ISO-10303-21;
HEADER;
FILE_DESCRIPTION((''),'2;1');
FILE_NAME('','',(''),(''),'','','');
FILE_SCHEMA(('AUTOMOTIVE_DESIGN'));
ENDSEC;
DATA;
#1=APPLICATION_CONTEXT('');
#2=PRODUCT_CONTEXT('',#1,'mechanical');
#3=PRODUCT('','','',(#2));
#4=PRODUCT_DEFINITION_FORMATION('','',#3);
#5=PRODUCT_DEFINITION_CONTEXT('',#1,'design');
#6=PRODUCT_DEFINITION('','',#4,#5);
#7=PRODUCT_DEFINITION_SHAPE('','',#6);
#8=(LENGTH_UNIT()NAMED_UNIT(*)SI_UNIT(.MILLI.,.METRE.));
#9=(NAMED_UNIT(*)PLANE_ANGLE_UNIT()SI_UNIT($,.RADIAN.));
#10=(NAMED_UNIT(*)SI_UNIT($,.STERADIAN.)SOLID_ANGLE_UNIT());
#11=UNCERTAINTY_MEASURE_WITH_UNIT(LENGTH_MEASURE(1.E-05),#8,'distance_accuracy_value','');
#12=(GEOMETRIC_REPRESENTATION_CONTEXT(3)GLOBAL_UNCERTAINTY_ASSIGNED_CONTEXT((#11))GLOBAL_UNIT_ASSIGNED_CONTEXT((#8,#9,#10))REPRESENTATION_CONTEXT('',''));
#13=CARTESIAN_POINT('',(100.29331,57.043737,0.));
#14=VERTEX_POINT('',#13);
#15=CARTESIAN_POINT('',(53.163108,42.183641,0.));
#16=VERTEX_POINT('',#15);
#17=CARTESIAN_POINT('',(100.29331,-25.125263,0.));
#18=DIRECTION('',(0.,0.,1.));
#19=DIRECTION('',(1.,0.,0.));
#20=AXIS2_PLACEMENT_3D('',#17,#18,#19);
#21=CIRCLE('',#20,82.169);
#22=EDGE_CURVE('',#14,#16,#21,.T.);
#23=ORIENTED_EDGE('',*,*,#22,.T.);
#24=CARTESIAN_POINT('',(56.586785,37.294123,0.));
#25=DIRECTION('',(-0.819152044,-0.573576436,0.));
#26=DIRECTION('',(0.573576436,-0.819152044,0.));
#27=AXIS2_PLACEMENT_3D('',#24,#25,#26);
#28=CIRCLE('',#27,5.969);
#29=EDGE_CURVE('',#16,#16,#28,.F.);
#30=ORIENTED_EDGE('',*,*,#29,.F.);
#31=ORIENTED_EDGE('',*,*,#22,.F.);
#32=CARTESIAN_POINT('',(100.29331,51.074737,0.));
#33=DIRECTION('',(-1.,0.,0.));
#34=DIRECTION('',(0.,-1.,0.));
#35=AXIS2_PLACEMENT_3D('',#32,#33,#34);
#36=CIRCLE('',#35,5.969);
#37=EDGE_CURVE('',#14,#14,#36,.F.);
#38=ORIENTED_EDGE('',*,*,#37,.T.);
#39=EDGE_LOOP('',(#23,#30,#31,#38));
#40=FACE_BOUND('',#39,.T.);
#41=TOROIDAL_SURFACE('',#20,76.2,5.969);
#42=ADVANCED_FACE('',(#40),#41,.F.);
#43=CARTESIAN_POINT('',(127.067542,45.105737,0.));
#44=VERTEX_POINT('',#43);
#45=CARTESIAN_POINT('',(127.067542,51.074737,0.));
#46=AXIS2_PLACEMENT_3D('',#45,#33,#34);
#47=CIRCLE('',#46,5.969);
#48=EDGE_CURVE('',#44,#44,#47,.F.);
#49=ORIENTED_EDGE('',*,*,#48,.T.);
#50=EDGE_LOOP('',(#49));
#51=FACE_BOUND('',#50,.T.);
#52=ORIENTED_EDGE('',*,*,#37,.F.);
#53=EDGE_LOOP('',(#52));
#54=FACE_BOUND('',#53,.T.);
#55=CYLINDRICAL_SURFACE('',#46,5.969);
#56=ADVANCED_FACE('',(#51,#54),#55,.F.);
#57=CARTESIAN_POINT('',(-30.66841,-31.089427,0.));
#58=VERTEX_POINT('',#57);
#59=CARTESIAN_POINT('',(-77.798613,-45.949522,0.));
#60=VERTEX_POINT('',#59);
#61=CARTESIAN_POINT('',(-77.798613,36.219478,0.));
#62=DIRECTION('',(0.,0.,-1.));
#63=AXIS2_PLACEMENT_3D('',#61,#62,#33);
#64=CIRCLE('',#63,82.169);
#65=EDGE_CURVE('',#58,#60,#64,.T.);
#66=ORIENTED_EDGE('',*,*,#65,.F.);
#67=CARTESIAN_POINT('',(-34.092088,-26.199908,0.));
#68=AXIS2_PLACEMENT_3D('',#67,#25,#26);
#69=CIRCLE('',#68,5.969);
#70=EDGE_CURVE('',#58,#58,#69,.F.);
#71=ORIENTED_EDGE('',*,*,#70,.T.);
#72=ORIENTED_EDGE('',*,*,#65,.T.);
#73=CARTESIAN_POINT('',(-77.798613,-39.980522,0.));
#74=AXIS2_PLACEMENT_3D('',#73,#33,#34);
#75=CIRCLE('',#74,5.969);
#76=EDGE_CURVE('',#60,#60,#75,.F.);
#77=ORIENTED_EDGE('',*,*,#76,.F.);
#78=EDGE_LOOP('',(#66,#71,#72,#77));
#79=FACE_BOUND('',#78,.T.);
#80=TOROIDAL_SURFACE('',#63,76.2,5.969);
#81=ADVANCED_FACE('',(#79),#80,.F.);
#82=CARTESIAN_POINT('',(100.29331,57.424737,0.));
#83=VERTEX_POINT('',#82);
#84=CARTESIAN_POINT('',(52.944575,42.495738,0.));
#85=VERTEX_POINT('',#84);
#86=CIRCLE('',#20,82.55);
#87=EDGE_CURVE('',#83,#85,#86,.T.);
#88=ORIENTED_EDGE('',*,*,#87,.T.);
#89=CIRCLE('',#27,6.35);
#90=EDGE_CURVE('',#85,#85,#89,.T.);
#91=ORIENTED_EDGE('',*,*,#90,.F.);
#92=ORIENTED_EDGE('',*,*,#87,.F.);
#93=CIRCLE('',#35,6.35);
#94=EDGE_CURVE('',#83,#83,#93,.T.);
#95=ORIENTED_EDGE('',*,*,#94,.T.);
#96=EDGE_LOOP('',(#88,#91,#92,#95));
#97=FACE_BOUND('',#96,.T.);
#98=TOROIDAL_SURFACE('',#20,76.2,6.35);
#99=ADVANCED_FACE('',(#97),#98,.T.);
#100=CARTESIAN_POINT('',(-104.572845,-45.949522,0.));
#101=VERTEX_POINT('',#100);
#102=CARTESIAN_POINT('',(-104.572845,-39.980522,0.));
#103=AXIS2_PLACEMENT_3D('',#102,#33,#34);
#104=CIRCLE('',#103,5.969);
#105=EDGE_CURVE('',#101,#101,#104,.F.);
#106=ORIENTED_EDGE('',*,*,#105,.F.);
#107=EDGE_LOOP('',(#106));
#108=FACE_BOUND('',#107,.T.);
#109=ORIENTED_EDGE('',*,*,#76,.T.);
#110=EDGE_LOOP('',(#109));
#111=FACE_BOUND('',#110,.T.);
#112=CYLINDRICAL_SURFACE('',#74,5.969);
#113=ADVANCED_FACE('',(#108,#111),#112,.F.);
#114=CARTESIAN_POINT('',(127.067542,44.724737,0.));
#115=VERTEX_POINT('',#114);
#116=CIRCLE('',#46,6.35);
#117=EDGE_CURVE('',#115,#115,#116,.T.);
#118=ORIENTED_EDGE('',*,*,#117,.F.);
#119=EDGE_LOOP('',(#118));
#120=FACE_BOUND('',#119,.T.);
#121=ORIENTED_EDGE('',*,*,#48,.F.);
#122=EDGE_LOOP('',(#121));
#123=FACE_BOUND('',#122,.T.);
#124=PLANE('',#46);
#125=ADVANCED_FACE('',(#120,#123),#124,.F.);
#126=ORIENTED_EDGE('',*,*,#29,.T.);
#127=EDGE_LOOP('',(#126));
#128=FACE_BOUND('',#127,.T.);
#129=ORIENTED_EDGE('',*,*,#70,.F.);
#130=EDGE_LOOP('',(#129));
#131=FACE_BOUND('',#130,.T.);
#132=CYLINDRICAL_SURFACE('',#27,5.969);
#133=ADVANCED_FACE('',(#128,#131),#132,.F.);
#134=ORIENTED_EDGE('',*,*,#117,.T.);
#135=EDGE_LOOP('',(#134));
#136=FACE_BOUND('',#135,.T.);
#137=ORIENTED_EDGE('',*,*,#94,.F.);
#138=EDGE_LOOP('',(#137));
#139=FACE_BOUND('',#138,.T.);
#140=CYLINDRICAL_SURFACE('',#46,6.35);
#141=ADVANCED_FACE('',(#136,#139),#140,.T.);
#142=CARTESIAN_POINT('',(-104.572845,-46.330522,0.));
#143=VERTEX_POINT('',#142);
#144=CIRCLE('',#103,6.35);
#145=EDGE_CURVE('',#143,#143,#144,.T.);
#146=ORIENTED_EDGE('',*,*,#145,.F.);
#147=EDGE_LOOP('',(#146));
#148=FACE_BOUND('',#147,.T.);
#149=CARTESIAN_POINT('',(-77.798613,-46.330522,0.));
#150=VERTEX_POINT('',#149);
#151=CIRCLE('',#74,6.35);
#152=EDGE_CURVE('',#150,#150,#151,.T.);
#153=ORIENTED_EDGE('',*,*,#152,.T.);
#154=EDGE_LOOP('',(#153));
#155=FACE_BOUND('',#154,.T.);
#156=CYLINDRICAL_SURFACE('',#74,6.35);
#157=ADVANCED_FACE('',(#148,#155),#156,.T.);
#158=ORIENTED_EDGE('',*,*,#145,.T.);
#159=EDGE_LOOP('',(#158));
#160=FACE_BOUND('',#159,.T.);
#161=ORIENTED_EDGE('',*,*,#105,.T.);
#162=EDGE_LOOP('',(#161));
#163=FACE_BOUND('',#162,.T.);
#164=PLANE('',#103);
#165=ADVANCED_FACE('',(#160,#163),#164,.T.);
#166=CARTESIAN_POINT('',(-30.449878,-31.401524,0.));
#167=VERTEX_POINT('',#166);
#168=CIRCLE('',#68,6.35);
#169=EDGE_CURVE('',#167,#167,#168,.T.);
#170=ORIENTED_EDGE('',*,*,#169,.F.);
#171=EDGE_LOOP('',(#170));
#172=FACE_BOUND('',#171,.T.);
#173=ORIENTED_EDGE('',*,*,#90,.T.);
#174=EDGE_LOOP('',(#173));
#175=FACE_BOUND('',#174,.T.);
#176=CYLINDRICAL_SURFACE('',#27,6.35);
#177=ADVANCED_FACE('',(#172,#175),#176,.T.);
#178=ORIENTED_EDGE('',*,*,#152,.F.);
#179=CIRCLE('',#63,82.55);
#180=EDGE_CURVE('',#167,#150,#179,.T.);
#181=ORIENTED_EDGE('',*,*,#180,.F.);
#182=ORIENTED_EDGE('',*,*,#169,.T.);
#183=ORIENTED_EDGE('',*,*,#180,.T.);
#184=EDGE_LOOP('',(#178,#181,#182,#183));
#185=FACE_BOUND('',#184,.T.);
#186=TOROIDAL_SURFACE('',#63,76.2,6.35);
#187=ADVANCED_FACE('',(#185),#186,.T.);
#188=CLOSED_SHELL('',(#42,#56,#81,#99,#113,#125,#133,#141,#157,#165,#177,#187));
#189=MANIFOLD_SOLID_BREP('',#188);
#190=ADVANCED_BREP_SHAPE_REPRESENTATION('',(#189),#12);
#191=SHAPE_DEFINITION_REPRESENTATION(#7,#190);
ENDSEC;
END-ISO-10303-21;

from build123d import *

# Parameters (mm, degrees)
SKETCH5_R   = 6.35
SKETCH5_R_2 = 5.969


with BuildPart() as part:
    # Sweep1: sweep along a path in Sketch4
    with BuildLine(Plane.XY) as sweep1_path:
        Line((127.067542117, 51.074736957), (100.29330983, 51.074736957))
        ThreePointArc((100.29330983, 51.074736957), (77.379527908, 47.547968604), (56.58678538, 37.294122732))
        Line((56.58678538, 37.294122732), (-34.092088176, -26.199908089))
        ThreePointArc((-34.092088176, -26.199908089), (-54.884830704, -36.453753961), (-77.798612626, -39.980522314))
        Line((-77.798612626, -39.980522314), (-104.572844914, -39.980522314))
    # Sketch5 → Sweep1 (sweep)
    with BuildSketch(Plane(origin=(127.067542117, 51.074736957, 0), x_dir=(0, 0, 1), z_dir=(-1, 0, 0))):
        Circle(SKETCH5_R)
        Circle(SKETCH5_R_2, mode=Mode.SUBTRACT)
    sweep(path=sweep1_path.line)


solid = part.part
